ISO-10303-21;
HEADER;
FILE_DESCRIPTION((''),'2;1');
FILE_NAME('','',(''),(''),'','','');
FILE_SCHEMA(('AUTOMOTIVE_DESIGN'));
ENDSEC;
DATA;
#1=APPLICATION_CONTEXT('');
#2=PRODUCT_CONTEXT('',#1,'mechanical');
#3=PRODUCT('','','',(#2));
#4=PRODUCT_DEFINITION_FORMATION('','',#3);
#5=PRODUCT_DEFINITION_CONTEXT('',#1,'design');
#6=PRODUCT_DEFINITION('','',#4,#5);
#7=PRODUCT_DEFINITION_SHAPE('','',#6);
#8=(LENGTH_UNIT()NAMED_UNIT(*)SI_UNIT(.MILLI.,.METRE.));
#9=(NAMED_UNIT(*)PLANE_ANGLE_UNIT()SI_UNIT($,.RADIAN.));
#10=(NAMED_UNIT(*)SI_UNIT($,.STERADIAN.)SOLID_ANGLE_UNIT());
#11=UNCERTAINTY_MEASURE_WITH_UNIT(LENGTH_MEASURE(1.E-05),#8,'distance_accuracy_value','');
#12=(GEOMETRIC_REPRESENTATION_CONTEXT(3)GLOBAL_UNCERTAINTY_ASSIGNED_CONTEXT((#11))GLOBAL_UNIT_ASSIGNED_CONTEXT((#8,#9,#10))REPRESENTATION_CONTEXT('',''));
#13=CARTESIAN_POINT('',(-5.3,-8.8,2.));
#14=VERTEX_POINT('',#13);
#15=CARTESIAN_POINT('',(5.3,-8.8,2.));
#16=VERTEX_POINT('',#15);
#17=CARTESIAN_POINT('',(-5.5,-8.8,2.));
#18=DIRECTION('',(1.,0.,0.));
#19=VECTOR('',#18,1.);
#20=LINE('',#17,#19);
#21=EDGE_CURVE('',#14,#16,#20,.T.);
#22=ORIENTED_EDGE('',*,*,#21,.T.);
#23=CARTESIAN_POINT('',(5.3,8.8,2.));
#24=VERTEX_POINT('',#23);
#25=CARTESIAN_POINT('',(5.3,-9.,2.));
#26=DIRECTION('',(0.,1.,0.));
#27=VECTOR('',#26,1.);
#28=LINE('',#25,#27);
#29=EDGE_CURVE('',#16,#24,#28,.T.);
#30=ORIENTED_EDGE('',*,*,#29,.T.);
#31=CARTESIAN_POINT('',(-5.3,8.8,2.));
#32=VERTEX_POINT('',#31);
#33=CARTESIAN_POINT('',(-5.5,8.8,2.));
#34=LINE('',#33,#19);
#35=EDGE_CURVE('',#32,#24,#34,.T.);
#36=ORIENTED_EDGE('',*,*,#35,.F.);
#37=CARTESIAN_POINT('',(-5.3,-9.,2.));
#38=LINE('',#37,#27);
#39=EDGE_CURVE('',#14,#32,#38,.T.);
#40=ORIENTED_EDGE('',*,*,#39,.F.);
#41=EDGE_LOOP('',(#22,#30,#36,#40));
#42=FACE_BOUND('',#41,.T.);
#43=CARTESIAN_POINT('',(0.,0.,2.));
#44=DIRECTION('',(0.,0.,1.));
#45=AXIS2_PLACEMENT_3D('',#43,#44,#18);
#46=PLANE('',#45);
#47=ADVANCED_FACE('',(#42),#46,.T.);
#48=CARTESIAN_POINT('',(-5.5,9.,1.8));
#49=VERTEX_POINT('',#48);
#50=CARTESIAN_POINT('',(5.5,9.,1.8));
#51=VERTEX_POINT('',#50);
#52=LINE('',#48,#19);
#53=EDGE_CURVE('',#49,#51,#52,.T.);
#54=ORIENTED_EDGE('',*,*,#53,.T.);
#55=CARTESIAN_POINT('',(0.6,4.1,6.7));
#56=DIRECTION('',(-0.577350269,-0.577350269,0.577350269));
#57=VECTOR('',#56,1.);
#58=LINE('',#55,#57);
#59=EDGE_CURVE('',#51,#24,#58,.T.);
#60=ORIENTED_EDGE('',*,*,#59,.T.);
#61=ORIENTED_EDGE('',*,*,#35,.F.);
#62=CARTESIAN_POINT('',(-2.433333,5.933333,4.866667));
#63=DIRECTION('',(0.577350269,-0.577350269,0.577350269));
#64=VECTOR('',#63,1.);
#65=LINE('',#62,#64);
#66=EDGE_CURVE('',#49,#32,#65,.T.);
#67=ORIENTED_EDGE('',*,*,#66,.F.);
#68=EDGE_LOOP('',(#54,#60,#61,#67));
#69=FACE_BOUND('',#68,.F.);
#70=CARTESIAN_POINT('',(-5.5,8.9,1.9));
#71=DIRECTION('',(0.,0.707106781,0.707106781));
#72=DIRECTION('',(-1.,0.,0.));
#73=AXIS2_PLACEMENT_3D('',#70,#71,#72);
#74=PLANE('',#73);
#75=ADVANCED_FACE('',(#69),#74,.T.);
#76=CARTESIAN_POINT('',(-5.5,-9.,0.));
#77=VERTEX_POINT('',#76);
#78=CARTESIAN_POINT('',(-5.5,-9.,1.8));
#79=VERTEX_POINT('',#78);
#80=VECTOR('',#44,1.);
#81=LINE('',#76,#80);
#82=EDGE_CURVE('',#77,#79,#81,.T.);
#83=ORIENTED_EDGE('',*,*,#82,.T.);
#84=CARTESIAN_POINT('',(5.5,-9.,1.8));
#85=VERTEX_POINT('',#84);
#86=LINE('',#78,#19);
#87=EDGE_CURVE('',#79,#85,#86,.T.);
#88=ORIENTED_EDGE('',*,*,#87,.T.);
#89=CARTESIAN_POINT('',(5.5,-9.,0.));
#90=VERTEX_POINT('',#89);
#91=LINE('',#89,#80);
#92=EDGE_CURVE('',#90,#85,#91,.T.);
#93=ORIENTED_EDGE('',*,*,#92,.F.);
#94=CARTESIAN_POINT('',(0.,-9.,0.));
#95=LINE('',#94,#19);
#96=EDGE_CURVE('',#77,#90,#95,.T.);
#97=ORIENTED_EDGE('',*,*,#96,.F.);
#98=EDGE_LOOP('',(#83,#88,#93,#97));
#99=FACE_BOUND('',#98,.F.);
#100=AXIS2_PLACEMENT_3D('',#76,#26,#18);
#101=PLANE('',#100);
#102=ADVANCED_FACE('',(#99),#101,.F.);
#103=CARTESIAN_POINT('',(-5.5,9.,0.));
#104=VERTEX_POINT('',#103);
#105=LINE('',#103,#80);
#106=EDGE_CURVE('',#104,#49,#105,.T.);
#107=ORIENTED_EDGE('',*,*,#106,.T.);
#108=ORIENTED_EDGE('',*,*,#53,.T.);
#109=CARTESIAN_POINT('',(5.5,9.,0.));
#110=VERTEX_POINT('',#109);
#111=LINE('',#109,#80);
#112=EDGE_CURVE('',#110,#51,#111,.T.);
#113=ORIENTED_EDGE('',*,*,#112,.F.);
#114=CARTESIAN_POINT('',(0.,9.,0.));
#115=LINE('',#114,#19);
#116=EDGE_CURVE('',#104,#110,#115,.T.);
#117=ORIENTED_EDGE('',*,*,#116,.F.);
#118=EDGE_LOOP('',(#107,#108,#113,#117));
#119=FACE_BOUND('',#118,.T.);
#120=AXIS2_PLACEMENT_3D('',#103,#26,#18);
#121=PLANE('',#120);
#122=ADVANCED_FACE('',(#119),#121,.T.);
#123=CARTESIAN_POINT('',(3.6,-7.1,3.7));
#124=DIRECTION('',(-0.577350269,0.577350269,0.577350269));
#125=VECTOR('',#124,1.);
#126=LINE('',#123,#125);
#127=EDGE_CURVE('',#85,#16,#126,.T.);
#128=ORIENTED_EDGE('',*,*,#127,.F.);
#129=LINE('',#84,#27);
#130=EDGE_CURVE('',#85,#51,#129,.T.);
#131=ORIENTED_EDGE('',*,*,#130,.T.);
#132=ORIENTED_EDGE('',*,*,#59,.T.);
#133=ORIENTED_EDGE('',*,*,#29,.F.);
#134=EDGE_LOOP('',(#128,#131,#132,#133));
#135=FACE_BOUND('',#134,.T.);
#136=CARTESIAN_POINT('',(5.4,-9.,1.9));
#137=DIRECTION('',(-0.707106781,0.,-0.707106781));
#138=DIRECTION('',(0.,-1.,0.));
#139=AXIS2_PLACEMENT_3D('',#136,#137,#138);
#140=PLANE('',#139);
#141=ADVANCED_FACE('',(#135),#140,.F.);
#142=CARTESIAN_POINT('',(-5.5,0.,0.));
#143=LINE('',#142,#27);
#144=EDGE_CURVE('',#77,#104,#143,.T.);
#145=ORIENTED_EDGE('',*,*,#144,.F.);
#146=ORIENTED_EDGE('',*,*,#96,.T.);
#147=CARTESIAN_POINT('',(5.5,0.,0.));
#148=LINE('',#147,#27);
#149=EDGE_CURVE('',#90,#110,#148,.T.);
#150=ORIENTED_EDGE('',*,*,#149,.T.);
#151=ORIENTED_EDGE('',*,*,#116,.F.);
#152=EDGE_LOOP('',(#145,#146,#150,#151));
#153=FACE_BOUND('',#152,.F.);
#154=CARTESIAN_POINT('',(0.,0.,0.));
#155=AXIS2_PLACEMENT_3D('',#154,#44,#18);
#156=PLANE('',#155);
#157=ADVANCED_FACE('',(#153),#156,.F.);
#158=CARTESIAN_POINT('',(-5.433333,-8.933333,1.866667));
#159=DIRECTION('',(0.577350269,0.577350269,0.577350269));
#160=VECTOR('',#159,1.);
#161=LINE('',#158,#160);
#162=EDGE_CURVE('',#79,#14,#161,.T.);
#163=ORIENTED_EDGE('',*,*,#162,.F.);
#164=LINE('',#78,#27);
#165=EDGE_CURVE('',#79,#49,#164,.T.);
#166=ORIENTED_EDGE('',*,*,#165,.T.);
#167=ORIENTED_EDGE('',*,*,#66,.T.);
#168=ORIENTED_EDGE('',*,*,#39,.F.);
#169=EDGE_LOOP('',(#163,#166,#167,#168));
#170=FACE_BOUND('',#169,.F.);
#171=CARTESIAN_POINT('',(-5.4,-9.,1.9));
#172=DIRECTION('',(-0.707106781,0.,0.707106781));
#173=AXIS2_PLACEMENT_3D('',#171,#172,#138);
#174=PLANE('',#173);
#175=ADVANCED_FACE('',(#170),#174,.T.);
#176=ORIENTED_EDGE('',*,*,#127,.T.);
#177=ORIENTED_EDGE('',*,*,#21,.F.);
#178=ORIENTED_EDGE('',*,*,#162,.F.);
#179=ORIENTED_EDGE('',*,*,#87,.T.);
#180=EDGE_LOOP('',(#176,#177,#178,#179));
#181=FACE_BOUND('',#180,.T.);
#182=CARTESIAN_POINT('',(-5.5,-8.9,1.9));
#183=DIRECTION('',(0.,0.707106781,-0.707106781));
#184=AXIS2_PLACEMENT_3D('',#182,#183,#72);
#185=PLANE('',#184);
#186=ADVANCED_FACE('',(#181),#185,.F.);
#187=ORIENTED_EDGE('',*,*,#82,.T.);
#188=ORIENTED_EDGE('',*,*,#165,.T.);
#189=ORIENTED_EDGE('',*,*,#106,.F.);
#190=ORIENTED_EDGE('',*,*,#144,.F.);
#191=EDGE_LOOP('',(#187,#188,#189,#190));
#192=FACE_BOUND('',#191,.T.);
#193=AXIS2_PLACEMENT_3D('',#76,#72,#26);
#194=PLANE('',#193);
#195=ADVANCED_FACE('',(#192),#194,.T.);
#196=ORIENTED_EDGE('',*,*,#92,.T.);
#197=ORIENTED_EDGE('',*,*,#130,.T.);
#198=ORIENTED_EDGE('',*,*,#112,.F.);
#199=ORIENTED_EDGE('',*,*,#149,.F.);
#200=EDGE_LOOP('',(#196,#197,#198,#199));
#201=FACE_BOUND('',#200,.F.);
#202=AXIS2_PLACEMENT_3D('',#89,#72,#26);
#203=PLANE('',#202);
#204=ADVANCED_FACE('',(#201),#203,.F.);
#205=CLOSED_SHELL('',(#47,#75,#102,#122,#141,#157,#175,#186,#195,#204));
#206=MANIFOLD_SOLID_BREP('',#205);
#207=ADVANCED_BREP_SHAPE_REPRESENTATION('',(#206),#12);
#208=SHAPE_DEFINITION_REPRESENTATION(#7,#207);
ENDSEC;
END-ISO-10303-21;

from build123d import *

# Parameters (mm, degrees)
F0_W     = 11
F0_H     = 18
F1_DEPTH = 2
F2_SIZE  = 0.2


with BuildPart() as f1:
    # F0 (on Top) → F1 (new body)
    with BuildSketch(Plane.XY):
        Rectangle(F0_W, F0_H)
    extrude(amount=F1_DEPTH)

    # F2
    f2_edges = [f1.edges().sort_by_distance(p)[0] for p in [
        (5.5, 0, 2),
        (0, -9, 2),
        (-5.5, 0, 2),
        (0, 9, 2),
    ]]
    chamfer(f2_edges, length=F2_SIZE)


solid = f1.part
